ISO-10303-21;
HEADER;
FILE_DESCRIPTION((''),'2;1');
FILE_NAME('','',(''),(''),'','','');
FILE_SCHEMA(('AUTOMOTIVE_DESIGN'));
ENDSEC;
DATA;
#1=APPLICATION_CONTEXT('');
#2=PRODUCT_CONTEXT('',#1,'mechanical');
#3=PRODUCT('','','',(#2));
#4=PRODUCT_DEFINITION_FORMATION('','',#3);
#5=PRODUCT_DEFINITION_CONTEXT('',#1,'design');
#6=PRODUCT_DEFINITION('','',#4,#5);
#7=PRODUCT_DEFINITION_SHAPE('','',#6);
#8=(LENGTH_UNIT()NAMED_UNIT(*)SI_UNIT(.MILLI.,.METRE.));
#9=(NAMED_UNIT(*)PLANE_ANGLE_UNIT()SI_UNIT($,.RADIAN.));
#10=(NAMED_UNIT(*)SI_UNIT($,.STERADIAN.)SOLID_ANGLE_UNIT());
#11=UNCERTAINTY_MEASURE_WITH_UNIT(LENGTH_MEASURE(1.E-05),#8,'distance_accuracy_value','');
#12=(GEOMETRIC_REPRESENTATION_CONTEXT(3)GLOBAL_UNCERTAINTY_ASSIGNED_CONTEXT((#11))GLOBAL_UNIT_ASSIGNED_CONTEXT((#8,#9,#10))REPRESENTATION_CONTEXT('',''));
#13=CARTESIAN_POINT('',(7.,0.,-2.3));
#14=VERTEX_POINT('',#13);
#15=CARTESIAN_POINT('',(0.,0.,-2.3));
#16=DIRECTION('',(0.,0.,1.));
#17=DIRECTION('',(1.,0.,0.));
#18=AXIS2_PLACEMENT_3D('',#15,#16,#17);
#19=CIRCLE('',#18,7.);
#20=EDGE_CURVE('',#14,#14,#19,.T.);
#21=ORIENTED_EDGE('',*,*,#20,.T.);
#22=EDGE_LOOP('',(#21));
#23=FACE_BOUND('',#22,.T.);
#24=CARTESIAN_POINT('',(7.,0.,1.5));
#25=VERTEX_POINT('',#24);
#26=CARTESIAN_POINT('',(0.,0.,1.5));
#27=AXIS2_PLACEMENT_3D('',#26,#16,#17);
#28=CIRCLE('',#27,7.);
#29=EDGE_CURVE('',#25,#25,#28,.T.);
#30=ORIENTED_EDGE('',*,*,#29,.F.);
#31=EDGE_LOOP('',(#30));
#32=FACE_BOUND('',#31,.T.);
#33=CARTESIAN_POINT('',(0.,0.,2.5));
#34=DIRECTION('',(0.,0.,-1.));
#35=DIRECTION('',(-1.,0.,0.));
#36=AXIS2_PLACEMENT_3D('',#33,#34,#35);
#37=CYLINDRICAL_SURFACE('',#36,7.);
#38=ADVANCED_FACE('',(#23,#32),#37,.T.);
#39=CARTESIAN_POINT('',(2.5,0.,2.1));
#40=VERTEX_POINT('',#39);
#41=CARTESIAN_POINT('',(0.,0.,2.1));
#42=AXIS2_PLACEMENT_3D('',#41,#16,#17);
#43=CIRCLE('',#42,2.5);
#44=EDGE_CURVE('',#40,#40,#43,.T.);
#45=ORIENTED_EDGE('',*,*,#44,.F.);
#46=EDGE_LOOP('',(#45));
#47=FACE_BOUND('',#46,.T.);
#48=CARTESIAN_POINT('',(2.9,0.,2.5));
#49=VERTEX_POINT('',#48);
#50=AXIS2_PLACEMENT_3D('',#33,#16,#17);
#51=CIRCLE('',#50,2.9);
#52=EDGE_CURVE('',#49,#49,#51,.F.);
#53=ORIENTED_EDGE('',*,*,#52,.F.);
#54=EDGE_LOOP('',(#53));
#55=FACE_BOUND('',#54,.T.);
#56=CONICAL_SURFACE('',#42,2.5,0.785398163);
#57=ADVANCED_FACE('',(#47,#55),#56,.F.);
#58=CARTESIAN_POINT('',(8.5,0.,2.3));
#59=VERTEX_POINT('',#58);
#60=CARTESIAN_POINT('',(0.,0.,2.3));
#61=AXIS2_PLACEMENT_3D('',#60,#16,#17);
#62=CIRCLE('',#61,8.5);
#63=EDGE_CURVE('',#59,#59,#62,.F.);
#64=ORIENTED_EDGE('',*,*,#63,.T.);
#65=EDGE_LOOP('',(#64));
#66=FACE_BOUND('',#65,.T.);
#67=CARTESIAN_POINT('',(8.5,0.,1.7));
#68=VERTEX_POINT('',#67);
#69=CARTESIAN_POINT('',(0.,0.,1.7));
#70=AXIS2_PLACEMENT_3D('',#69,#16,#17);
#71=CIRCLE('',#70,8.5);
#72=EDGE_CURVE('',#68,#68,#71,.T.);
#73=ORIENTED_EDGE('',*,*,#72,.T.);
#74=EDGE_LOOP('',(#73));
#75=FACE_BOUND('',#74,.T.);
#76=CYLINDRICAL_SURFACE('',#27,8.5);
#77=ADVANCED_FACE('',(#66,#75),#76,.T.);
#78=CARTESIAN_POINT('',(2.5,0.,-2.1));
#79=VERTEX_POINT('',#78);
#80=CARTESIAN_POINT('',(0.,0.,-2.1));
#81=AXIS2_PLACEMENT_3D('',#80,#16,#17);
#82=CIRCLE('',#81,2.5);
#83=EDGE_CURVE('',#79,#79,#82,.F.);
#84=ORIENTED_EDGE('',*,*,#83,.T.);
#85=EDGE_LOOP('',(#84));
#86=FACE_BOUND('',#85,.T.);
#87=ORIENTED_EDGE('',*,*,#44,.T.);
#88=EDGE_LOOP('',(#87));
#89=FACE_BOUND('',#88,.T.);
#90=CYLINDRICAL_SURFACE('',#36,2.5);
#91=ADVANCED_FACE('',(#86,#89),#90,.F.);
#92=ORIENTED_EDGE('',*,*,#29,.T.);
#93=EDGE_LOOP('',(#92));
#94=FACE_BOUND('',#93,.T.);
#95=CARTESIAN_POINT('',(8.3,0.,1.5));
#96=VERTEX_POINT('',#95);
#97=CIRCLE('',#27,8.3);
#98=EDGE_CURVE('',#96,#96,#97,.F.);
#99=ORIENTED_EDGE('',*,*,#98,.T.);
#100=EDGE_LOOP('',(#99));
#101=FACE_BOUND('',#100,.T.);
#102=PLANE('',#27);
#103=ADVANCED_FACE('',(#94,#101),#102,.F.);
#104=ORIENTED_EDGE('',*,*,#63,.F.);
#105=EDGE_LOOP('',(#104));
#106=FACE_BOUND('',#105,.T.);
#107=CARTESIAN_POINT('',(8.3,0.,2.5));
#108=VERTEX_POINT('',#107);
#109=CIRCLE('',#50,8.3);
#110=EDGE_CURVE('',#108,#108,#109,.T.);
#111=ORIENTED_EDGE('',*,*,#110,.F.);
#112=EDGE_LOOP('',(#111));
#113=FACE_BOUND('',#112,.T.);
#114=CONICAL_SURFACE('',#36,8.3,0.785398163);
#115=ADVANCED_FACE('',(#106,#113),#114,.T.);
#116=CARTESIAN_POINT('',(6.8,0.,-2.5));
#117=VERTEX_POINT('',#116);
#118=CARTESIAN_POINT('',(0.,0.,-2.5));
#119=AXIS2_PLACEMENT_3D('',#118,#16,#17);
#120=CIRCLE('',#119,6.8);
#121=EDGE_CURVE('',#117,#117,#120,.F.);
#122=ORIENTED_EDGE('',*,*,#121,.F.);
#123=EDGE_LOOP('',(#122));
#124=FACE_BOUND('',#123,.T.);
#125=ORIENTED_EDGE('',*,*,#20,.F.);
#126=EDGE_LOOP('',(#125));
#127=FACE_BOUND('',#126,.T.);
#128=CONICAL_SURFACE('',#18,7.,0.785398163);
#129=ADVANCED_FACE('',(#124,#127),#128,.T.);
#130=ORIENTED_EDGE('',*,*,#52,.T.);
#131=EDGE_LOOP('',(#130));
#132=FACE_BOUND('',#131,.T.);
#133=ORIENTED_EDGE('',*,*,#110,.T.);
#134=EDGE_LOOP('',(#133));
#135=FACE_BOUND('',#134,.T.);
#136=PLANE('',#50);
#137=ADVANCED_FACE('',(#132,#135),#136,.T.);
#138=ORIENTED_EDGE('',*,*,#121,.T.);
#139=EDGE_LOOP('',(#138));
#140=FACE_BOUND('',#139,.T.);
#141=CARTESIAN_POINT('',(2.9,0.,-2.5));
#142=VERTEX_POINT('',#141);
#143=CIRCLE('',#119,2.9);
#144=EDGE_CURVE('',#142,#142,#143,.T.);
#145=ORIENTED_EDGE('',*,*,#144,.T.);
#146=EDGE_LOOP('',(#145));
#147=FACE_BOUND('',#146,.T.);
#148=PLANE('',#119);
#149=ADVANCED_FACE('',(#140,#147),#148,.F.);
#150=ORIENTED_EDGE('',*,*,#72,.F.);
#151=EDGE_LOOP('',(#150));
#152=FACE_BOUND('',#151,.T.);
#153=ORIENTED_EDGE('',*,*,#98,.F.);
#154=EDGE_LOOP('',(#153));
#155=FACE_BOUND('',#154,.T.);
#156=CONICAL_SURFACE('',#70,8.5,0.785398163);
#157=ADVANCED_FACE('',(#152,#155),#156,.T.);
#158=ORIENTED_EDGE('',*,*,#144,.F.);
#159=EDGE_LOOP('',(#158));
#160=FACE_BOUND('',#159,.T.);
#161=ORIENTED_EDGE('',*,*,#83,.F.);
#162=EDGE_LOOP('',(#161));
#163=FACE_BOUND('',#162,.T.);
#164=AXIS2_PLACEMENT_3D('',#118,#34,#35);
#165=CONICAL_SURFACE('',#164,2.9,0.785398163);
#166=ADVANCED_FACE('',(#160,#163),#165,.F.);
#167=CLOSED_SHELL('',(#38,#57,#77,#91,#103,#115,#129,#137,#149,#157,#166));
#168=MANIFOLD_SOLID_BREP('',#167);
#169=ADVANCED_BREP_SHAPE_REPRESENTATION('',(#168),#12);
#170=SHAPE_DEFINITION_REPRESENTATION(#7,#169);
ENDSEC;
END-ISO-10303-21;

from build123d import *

# Parameters (mm, degrees)
SKETCH_1_R      = 7
SKETCH_1_R_2    = 2.5
EXTRUDE_1_DEPTH = 2.5
EXTRUDE_START   = -1
SKETCH_2_R      = 8.5
SKETCH_2_R_2    = 2.5
EXTRUDE_2_DEPTH = 1
CHAMFER_1_SIZE  = 0.2
CHAMFER_2_SIZE  = 0.4


with BuildPart() as part:
    # 草图1 → 凸台-拉伸1 (new, symmetric)
    with BuildSketch(Plane.XY):
        Circle(SKETCH_1_R)
        Circle(SKETCH_1_R_2, mode=Mode.SUBTRACT)
    extrude(amount=EXTRUDE_1_DEPTH, both=True)

    # 草图2 → 凸台-拉伸2 (add)
    with BuildSketch(Plane.XY.offset(2.5).offset(EXTRUDE_START)):
        Circle(SKETCH_2_R)
        Circle(SKETCH_2_R_2, mode=Mode.SUBTRACT)
    extrude(amount=EXTRUDE_2_DEPTH)

    # 倒角1
    chamfer_1_edges = [part.edges().sort_by_distance(p)[0] for p in [
        (-8.5, 0, 2.5),
        (-8.5, 0, 1.5),
        (-7, 0, -2.5),
    ]]
    chamfer(chamfer_1_edges, length=CHAMFER_1_SIZE)

    # 倒角2
    chamfer_2_edges = [part.edges().sort_by_distance(p)[0] for p in [
        (-2.5, 0, -2.5),
        (-2.5, 0, 2.5),
    ]]
    chamfer(chamfer_2_edges, length=CHAMFER_2_SIZE)


solid = part.part
